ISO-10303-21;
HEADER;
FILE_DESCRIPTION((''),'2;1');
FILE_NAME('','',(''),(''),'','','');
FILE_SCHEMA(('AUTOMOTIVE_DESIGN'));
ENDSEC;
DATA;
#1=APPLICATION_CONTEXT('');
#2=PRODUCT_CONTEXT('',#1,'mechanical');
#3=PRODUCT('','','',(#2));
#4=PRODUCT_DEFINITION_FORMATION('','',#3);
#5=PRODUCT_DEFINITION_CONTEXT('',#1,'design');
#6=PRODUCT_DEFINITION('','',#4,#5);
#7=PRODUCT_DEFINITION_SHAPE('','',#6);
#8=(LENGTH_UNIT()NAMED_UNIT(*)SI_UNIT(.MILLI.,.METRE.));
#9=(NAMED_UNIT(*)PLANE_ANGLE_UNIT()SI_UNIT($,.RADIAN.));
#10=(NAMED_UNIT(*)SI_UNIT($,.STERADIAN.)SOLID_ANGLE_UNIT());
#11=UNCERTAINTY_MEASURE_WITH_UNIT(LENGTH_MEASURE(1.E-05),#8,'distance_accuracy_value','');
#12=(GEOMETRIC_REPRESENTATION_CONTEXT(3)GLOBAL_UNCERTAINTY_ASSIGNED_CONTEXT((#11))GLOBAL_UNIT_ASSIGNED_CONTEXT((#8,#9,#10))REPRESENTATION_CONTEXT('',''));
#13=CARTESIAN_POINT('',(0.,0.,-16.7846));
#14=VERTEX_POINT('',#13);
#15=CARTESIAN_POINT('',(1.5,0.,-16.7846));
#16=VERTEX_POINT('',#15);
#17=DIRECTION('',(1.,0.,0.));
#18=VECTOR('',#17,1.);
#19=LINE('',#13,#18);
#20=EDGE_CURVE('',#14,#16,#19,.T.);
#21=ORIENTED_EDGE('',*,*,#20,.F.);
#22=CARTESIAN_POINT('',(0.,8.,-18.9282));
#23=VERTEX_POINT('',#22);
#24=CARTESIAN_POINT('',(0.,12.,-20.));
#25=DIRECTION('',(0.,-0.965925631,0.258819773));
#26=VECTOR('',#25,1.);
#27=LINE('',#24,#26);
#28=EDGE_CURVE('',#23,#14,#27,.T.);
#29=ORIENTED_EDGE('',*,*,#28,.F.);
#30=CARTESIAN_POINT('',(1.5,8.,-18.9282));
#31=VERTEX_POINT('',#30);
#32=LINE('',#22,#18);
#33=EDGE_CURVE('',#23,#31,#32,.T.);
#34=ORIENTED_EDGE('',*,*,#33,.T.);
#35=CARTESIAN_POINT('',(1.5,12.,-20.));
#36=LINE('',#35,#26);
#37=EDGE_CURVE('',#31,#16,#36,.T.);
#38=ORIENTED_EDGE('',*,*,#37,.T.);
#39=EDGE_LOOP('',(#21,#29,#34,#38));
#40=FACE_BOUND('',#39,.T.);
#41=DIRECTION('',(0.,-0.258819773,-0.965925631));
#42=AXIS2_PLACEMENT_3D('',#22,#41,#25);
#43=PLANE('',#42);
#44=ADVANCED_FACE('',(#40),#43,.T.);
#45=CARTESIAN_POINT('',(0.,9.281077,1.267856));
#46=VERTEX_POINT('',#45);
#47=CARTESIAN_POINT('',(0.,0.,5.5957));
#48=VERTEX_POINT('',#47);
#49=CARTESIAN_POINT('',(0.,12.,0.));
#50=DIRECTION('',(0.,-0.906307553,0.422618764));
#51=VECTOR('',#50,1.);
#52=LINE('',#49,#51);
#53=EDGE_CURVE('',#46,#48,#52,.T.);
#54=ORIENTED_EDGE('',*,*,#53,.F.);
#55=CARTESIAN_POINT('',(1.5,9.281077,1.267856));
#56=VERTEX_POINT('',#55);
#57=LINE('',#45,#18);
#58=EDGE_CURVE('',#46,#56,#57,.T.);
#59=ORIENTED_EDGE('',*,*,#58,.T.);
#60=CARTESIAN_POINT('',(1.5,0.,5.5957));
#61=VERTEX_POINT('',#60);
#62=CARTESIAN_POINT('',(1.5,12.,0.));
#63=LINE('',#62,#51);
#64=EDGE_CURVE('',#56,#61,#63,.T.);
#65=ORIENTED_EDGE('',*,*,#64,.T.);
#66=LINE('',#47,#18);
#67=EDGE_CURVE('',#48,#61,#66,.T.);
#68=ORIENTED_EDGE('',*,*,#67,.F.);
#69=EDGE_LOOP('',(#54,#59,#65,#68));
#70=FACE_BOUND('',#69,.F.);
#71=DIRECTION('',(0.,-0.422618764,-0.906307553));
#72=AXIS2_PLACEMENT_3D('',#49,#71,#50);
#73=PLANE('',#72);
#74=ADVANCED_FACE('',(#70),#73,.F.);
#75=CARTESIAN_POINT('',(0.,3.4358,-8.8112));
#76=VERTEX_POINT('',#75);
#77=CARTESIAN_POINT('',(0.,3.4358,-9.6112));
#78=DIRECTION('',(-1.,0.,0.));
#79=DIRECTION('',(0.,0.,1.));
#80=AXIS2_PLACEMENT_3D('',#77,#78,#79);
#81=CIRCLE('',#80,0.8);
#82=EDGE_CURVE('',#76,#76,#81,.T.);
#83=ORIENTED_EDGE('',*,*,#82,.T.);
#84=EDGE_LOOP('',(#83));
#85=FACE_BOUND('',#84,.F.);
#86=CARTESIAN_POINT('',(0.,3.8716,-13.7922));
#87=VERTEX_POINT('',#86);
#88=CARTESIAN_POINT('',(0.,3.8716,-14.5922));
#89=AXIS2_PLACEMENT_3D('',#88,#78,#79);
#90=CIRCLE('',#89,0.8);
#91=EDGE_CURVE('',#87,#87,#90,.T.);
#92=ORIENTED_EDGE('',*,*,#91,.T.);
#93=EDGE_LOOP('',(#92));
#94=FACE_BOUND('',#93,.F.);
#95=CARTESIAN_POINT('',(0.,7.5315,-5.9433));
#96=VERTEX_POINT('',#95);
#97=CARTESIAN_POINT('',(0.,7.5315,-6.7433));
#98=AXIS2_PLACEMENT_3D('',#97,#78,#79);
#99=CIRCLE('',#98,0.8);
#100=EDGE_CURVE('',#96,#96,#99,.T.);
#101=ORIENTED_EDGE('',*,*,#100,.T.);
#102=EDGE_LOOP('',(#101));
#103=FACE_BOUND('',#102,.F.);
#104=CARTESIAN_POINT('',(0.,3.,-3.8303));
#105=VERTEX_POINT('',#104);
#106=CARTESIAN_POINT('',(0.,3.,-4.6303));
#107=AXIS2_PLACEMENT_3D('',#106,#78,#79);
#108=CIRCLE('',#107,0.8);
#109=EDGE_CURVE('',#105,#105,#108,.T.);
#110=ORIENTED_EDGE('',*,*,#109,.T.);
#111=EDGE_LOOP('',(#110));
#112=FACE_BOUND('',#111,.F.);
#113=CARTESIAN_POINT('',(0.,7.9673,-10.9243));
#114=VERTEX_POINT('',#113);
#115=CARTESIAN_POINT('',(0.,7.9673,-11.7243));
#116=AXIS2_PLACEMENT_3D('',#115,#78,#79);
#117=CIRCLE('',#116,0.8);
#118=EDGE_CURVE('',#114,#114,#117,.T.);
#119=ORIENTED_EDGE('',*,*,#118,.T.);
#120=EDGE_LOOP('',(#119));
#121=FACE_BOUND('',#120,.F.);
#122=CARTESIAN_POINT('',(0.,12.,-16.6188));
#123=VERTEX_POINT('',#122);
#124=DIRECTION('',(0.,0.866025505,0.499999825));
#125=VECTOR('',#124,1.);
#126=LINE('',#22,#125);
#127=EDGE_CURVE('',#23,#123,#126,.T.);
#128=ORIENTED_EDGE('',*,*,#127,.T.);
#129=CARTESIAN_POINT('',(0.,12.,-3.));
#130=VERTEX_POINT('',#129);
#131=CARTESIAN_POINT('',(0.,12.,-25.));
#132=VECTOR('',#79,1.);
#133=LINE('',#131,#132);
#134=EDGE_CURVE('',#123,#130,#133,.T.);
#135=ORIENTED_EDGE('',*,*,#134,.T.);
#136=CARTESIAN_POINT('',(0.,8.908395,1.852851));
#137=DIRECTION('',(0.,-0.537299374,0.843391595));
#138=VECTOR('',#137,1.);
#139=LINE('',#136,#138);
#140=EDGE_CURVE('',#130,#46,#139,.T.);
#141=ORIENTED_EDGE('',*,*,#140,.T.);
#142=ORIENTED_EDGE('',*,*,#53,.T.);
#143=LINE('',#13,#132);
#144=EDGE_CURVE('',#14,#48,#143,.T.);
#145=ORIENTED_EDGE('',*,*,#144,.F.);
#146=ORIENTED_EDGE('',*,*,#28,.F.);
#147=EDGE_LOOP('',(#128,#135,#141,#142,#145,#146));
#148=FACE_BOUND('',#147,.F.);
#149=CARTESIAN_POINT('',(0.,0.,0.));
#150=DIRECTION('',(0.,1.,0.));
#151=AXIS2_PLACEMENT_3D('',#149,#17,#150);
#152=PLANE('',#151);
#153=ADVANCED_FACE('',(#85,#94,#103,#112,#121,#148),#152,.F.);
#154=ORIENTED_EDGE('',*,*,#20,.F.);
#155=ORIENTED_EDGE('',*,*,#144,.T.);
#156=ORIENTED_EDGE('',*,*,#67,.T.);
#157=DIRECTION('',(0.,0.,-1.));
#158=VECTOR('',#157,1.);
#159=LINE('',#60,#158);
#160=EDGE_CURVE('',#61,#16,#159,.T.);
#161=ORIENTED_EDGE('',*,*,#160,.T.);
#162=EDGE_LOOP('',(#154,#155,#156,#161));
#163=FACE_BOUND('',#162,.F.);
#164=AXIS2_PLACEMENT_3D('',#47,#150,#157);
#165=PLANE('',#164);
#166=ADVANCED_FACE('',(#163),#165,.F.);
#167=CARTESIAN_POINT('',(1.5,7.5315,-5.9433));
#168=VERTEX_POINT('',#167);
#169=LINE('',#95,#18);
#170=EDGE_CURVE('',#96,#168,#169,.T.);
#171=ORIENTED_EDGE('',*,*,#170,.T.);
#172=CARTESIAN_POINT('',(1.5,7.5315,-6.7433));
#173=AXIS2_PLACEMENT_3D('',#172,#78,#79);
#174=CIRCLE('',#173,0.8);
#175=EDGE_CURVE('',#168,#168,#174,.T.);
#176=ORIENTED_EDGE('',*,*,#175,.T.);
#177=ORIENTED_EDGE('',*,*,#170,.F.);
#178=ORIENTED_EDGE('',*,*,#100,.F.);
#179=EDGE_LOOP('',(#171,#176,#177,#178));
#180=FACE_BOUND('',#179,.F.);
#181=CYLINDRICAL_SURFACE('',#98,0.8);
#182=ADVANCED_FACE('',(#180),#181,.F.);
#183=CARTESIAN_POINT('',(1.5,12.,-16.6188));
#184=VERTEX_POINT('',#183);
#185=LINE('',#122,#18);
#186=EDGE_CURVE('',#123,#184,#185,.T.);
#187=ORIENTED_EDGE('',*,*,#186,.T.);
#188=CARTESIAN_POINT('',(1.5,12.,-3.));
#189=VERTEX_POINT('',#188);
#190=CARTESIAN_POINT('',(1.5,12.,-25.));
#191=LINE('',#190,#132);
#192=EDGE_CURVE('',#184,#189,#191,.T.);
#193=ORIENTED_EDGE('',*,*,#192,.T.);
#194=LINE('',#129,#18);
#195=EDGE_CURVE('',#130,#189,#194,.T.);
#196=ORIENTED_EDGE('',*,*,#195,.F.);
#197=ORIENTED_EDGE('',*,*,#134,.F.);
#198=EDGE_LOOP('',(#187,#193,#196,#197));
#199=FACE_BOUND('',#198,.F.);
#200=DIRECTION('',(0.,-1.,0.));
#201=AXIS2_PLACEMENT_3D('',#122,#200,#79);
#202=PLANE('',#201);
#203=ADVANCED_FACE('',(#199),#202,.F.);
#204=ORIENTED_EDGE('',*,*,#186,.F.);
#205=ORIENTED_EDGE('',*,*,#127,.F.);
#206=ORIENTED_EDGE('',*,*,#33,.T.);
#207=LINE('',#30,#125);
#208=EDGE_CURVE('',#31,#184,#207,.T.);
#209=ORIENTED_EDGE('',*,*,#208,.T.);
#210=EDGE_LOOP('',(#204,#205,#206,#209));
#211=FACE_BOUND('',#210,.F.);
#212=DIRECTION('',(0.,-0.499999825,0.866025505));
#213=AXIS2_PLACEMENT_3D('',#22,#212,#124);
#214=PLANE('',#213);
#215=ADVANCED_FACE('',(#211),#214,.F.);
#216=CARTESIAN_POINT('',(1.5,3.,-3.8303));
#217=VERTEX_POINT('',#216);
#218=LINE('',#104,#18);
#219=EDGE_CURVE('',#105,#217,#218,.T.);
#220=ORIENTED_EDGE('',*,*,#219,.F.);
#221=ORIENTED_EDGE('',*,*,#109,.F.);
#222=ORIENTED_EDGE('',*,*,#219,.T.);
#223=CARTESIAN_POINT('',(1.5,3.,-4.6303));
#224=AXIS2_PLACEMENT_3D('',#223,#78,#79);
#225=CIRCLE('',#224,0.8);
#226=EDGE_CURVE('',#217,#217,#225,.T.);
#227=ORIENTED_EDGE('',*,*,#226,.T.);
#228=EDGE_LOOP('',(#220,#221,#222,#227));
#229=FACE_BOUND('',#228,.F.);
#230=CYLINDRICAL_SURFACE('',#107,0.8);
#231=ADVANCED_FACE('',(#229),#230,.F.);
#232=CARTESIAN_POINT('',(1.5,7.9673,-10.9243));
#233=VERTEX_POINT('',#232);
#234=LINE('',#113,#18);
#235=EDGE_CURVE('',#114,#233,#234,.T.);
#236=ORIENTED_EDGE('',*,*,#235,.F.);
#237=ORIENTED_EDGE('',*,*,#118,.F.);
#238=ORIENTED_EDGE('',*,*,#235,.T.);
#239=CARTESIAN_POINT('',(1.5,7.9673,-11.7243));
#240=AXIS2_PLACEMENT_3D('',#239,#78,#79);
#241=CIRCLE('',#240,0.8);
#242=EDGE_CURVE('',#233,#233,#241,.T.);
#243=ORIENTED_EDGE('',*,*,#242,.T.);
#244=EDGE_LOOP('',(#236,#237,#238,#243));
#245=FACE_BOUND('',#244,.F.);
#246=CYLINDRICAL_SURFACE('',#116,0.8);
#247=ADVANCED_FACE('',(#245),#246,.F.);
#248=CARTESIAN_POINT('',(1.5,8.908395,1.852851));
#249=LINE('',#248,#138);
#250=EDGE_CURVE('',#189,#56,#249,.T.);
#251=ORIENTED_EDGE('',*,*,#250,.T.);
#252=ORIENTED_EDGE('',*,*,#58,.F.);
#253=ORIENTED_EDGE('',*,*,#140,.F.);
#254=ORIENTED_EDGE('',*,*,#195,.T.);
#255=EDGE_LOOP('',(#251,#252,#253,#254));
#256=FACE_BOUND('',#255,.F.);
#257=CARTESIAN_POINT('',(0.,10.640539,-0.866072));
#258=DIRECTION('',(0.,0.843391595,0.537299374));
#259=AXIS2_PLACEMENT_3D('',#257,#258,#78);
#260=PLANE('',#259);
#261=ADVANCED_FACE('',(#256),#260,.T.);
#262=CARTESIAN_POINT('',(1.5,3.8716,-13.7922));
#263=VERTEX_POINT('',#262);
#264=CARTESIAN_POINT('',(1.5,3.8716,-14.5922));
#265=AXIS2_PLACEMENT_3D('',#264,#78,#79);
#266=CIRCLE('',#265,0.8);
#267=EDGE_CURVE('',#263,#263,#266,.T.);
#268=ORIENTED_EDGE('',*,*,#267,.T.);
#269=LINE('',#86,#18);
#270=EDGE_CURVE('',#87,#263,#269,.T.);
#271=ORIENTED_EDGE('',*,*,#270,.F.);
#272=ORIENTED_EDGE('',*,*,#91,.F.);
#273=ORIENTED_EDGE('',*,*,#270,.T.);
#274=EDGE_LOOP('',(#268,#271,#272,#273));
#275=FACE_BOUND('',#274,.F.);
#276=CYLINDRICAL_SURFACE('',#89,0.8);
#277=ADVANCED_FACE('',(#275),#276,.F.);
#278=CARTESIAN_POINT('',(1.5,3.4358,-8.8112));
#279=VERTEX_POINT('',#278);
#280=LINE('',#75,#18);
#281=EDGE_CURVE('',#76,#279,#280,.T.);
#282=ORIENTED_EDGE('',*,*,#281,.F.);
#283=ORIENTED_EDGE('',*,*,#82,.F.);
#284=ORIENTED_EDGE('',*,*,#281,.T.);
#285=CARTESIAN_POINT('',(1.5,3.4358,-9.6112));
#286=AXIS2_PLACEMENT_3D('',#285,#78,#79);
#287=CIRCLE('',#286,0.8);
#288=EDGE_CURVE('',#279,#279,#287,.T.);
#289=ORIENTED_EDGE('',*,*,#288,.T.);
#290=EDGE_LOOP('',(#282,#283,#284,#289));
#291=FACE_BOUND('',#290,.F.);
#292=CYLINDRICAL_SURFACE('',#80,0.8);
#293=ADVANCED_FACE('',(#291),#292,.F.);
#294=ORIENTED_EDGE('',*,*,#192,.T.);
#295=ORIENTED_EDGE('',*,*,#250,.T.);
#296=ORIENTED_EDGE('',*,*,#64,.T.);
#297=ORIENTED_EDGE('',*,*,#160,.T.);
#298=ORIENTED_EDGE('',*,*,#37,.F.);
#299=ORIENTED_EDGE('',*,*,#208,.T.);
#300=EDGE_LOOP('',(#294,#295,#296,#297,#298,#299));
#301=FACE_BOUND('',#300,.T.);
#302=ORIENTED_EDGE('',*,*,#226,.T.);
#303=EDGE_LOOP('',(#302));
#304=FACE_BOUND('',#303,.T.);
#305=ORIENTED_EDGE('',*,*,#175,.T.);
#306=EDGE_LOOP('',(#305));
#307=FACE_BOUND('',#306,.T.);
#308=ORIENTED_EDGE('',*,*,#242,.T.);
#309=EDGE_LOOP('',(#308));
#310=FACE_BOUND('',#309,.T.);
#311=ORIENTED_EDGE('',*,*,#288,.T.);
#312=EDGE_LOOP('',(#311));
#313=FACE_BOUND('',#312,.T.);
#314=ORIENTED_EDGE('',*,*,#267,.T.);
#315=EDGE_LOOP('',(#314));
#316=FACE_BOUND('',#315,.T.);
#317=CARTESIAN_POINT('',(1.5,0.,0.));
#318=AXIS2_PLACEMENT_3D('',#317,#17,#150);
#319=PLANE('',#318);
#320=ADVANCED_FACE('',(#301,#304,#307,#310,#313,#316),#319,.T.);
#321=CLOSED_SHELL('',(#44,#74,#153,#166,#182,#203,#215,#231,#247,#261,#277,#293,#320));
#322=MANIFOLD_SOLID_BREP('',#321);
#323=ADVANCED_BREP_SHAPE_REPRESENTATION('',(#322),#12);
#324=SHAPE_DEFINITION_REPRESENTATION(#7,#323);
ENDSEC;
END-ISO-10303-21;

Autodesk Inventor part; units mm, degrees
ref_plane "YZ Plane" through (0, 0, 0) normal (1, 0, 0) x (0, 1, 0)
ref_plane "XZ Plane" through (0, 0, 0) normal (0, 1, 0) x (-1, 0, 0)
ref_plane "XY Plane" through (0, 0, 0) normal (0, 0, 1) x (1, 0, 0)
sketch "スケッチ1" plane through (0, 0, 0) normal (1, 0, 0) x (0, 1, 0)
  line L0 (12, 0) -> (0, 0)
  line L1 (0, 0) -> (0, -25)
  line L2 (0, -25) -> (12, -25)
  line L3 (12, -25) -> (12, 0)
  line L4 (12, 0) -> (0, 5.5957)
  line L5 (0, 5.5957) -> (0, 0)
  line L6 (12, -20) -> (0, -16.7846)
  line L7 (8, -18.9282) -> (12, -16.6188)
  dimension "d11" = 12
  dimension "d12" = 25
  dimension "d14" = 25
  dimension "d15" = 15
  dimension "d16" = 5
  dimension "d17" = 45
  dimension "d18" = 4
extrude "プレート1" add sketch "スケッチ1" along normal blind 1.5 contours L3 L7 L6 L1 L0 | L0 L5 L4
sketch "スケッチ3" plane through (0, 0, 0) normal (-1, 0, 0) x (0, 0, 1)
  circle A0 centre (-6.7433, 7.5315) radius 0.8
  circle A1 centre (-14.5922, 3.8716) radius 0.8
  circle A2 centre (-9.6112, 3.4358) radius 0.8
  circle A3 centre (-4.6303, 3) radius 0.8
  line L0 (-14.5922, 3.8716) -> (-9.6112, 3.4358) construction
  line L1 (-9.6112, 3.4358) -> (-4.6303, 3) construction
  line L2 (-6.7433, 7.5315) -> (-4.6303, 3) construction
  line L3 (0, 12) -> (5.5957, 0) projected
  line L4 (-6.7433, 7.5315) -> (-7.1207, 3.2179) construction
  line L5 (-11.7243, 7.9673) -> (-12.1017, 3.6537) construction
  line L6 (-11.7243, 7.9673) -> (-6.7433, 7.5315) construction
  circle A4 centre (-11.7243, 7.9673) radius 0.8
  line L7 (-6.7433, 7.5315) -> (-4.8683, 8.4059) construction
  line L8 (5.5957, 0) -> (-16.7846, 0) projected
  point P0 (0, 0)
  dimension "d23" = 1.6
  dimension "d26" = 5
  dimension "d29" = 5
  dimension "d30" = 8
  dimension "d31" = 3
extrude "切り取り1" cut sketch "スケッチ3" against normal blind 1.5
chamfer "面取り1" distance 3 angle 45 1 edges at (0.75, 12, 0)
equation "\"d29\" = d26"
equation "\"d32\" = Thickness"
equation "\"d0\" = Thickness"
equation "\"BendRadius\" = Thickness"
equation "\"BendReliefWidth\" = Thickness"
equation "\"BendReliefDepth\" = 0.5 * Thickness"
equation "\"CornerReliefSize\" = 4 * Thickness"
equation "\"MinimumRemnant\" = 2 * Thickness"
equation "\"TransitionRadius\" = BendRadius"
equation "\"JacobiRadiusSize\" = BendRadius"
equation "\"GapSize\" = Thickness"
equation "\"Thickness\" = 1.5"
properties part number "face_gard_right" material "アルミニウム 6061"
